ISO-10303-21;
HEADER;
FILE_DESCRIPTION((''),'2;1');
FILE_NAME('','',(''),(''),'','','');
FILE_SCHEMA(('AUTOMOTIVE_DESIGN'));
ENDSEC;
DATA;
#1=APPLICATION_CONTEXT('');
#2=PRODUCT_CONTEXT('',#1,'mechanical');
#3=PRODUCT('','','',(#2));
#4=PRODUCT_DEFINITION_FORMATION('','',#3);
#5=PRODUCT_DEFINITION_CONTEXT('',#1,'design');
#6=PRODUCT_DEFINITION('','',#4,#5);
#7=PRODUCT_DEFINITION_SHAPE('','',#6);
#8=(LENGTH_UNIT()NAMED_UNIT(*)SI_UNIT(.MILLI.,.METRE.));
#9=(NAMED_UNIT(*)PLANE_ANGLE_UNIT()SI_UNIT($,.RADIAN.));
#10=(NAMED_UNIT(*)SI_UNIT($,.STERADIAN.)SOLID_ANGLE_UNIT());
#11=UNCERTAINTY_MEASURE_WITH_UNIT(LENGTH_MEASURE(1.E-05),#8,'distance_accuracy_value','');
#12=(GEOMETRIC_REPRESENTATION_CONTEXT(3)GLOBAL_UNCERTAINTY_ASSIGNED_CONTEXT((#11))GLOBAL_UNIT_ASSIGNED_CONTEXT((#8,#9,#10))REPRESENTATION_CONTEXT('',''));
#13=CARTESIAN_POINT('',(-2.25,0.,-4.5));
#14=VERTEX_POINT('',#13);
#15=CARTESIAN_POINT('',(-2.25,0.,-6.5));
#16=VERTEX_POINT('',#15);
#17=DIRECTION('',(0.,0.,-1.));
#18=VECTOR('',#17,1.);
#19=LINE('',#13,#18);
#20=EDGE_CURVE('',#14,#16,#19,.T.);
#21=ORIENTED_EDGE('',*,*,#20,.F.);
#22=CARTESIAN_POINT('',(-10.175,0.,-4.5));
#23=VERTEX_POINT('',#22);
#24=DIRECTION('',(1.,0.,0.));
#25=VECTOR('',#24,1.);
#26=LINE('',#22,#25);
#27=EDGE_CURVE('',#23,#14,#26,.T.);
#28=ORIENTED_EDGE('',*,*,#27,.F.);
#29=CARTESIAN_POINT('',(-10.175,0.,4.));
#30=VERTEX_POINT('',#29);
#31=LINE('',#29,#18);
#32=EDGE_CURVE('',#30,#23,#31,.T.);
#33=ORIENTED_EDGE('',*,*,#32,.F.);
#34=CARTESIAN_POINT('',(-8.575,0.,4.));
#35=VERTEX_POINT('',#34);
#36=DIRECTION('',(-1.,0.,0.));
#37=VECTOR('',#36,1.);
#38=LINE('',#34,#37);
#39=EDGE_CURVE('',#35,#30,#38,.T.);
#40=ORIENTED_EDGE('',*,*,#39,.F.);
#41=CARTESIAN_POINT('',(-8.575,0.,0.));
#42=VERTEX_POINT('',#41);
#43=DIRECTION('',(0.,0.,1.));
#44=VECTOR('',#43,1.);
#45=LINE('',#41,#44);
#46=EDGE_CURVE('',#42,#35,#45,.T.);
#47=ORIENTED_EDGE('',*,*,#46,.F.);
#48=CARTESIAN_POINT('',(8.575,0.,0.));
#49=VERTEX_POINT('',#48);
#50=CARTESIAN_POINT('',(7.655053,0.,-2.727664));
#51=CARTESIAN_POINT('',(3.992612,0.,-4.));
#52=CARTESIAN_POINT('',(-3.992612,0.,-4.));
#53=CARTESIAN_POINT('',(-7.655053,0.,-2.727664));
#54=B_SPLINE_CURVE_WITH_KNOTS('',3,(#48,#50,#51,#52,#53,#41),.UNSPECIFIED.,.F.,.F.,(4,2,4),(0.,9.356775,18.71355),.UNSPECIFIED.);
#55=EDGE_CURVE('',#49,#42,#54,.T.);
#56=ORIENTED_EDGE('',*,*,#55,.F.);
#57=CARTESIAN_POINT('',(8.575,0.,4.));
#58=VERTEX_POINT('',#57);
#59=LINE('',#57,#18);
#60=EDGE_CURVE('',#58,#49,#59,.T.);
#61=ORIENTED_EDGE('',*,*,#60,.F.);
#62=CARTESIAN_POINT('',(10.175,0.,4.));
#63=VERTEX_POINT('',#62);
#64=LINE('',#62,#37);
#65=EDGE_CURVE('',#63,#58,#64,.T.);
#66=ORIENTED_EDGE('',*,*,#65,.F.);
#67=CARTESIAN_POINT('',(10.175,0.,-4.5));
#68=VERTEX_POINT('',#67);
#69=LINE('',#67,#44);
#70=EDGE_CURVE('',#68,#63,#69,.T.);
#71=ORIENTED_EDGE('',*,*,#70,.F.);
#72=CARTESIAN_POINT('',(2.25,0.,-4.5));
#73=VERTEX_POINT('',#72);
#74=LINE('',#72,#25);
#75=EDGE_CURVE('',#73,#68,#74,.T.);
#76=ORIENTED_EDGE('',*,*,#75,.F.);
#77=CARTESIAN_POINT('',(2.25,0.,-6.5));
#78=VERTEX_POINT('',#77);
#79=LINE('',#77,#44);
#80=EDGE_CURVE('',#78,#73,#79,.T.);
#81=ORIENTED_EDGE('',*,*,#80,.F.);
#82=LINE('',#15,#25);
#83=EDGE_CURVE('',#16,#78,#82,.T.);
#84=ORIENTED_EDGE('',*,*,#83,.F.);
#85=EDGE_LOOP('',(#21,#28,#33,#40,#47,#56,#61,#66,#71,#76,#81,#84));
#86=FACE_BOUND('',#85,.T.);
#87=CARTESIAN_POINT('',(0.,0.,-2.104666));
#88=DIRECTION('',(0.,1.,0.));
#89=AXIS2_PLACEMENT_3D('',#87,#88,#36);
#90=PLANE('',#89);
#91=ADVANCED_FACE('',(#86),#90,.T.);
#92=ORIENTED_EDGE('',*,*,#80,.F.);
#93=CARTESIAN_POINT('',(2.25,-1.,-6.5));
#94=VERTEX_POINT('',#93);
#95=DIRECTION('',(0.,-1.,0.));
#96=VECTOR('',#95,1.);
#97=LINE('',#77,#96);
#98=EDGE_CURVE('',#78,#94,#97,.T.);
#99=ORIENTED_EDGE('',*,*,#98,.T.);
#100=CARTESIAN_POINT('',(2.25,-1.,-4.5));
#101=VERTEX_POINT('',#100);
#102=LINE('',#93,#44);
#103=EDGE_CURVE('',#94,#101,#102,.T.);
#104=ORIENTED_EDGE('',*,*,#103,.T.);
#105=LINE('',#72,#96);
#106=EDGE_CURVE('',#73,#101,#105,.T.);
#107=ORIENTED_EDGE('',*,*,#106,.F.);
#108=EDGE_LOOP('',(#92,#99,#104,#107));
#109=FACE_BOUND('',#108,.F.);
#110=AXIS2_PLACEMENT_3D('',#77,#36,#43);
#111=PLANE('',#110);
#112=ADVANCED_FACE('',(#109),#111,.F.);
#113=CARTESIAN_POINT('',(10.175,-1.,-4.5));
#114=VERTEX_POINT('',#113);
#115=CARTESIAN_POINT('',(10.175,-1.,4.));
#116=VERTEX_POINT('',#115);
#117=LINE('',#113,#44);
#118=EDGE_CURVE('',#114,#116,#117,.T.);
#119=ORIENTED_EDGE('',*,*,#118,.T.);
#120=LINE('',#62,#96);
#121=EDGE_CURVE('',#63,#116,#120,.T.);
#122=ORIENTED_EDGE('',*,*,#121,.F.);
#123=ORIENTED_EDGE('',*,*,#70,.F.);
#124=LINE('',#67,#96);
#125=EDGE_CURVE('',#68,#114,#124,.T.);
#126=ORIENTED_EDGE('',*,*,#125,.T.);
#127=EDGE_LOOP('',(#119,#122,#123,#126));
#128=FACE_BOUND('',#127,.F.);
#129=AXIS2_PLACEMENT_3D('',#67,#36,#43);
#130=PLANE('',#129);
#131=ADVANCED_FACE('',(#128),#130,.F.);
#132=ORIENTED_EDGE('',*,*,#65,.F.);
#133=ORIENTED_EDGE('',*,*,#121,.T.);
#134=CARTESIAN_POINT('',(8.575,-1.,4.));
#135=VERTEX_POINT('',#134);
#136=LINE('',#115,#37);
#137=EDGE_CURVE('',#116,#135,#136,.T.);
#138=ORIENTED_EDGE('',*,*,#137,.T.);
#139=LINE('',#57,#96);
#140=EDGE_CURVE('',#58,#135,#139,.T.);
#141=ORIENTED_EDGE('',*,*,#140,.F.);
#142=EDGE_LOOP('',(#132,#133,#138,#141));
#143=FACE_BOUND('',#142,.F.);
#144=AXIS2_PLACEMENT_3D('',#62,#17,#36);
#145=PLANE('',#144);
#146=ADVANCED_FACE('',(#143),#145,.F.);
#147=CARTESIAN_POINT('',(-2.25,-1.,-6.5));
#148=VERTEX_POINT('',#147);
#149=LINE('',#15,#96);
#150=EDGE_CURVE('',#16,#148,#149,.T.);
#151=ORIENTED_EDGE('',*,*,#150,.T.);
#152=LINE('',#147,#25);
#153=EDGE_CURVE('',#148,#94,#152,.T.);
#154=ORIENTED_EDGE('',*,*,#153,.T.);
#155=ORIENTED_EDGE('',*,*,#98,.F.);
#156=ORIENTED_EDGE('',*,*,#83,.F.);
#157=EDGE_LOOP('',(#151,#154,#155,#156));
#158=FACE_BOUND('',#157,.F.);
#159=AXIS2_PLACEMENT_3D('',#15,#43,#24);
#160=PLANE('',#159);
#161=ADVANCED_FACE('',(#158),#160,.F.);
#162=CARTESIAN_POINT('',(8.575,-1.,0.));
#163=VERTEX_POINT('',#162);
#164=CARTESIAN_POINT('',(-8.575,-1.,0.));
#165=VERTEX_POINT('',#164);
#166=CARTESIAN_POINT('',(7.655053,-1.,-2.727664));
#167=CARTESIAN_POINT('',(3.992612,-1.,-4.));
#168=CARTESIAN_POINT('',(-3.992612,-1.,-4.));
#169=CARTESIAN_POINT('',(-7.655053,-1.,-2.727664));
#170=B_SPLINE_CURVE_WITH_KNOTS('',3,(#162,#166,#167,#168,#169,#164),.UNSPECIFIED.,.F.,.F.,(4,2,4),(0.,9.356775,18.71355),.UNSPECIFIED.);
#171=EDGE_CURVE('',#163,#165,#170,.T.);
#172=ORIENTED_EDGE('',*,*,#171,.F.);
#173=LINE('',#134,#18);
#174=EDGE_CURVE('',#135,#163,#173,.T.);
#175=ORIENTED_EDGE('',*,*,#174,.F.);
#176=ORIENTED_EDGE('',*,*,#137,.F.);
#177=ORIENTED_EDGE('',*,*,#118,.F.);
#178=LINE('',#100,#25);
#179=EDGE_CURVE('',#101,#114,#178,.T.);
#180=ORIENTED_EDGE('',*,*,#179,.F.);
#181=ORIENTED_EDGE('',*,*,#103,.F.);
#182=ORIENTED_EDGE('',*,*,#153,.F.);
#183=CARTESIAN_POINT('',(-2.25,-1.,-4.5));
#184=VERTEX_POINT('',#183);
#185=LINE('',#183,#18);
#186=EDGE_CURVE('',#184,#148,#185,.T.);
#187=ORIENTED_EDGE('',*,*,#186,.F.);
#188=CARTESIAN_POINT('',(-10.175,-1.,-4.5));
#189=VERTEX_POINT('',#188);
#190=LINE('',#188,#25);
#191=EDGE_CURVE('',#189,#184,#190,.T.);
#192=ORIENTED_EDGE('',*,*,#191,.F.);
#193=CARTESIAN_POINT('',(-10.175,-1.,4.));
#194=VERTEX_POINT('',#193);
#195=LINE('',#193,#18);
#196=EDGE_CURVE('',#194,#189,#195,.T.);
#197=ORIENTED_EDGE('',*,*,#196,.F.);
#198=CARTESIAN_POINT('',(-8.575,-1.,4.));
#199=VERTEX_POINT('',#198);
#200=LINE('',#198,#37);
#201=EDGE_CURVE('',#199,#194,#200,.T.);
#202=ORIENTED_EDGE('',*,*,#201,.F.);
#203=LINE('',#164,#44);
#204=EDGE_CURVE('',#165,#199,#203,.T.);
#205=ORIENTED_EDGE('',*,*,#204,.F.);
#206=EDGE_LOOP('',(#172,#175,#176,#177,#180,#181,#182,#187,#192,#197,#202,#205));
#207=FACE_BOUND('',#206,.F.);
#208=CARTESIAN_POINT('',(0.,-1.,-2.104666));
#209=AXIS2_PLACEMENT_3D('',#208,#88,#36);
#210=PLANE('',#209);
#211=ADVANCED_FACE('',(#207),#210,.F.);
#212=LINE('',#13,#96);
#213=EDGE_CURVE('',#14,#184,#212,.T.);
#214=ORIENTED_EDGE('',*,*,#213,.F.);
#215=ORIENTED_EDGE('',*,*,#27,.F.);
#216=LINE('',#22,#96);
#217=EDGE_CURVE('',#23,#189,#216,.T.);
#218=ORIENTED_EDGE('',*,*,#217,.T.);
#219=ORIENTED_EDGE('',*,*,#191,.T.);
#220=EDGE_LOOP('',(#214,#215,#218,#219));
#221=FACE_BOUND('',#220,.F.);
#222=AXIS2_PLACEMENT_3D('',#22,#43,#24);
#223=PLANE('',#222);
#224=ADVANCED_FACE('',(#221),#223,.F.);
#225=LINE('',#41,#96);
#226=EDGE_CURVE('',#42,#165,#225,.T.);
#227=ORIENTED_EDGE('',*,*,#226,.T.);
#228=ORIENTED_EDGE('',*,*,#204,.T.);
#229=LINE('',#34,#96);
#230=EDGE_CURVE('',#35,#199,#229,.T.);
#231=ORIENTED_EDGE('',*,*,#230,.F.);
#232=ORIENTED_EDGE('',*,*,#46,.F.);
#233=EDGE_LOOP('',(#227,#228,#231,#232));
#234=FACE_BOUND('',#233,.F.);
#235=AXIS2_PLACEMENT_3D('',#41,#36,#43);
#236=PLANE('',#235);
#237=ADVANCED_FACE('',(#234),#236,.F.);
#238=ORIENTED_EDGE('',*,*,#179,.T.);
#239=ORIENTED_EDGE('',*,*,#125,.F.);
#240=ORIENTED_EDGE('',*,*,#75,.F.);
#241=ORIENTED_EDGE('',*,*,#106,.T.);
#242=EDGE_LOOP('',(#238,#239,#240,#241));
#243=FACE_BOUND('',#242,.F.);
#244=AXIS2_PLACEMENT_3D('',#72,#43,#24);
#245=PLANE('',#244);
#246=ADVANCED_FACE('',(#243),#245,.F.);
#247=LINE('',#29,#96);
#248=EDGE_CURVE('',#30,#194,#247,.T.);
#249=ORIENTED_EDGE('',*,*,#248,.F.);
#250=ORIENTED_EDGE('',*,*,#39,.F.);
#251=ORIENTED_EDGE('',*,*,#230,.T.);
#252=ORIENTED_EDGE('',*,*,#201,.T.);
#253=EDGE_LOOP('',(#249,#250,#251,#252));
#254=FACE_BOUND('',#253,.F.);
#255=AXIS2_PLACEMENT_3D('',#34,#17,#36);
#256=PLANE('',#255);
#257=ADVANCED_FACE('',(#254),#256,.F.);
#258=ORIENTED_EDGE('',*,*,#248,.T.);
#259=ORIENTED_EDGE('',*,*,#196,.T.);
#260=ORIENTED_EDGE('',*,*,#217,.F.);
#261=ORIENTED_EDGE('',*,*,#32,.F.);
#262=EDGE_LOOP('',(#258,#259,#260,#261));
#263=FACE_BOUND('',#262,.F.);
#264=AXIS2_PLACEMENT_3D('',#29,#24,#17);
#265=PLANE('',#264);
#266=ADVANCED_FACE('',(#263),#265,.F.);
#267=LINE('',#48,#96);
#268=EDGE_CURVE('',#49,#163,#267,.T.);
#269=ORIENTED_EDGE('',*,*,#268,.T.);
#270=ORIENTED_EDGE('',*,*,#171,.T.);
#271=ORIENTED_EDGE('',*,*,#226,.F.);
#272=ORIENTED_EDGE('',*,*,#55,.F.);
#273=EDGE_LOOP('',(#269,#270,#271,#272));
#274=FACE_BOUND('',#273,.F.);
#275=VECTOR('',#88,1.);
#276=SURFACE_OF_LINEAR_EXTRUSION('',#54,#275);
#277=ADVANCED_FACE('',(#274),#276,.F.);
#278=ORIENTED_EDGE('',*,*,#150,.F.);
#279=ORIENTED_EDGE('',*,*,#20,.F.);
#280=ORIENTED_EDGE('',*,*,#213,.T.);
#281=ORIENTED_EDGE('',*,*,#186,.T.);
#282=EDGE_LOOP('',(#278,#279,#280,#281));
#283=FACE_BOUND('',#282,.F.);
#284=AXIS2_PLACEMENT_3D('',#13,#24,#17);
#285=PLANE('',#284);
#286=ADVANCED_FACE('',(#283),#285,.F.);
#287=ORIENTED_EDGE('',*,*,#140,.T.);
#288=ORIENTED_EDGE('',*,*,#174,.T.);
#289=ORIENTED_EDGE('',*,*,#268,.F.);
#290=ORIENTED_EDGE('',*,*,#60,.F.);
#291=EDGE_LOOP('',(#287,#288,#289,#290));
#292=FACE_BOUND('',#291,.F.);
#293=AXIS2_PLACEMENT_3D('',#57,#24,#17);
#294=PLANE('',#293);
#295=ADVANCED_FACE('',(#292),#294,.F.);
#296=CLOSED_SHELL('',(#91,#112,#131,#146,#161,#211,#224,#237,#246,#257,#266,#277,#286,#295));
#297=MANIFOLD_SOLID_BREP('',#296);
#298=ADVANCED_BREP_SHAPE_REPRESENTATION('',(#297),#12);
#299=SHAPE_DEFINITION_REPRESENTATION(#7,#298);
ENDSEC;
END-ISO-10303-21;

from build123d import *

# Parameters (mm, degrees)
F1_DEPTH = 1


with BuildPart() as f1:
    # F0 (on Front) → F1 (new body)
    with BuildSketch(Plane.XZ):
        with BuildLine():
            add(Edge.make_bspline(
                [(0, -4), (3.992612, -4), (7.655053, -2.727664), (8.575, 0)],
                knots=[0, 0, 0, 0, 9.356775, 9.356775, 9.356775, 9.356775], degree=3))
            add(Edge.make_bspline(
                [(0, -4), (-3.992612, -4), (-7.655053, -2.727664), (-8.575, 0)],
                knots=[0, 0, 0, 0, 9.356775, 9.356775, 9.356775, 9.356775], degree=3))
            Line((-8.575, 0), (-8.575, 4))
            Line((-8.575, 4), (-10.175, 4))
            Line((-10.175, 4), (-10.175, -4.5))
            Line((-10.175, -4.5), (-2.25, -4.5))
            Line((-2.25, -4.5), (-2.25, -6.5))
            Line((-2.25, -6.5), (2.25, -6.5))
            Line((2.25, -6.5), (2.25, -4.5))
            Line((2.25, -4.5), (10.175, -4.5))
            Line((10.175, -4.5), (10.175, 4))
            Line((10.175, 4), (8.575, 4))
            Line((8.575, 4), (8.575, 0))
        make_face()
    extrude(amount=F1_DEPTH)


solid = f1.part
